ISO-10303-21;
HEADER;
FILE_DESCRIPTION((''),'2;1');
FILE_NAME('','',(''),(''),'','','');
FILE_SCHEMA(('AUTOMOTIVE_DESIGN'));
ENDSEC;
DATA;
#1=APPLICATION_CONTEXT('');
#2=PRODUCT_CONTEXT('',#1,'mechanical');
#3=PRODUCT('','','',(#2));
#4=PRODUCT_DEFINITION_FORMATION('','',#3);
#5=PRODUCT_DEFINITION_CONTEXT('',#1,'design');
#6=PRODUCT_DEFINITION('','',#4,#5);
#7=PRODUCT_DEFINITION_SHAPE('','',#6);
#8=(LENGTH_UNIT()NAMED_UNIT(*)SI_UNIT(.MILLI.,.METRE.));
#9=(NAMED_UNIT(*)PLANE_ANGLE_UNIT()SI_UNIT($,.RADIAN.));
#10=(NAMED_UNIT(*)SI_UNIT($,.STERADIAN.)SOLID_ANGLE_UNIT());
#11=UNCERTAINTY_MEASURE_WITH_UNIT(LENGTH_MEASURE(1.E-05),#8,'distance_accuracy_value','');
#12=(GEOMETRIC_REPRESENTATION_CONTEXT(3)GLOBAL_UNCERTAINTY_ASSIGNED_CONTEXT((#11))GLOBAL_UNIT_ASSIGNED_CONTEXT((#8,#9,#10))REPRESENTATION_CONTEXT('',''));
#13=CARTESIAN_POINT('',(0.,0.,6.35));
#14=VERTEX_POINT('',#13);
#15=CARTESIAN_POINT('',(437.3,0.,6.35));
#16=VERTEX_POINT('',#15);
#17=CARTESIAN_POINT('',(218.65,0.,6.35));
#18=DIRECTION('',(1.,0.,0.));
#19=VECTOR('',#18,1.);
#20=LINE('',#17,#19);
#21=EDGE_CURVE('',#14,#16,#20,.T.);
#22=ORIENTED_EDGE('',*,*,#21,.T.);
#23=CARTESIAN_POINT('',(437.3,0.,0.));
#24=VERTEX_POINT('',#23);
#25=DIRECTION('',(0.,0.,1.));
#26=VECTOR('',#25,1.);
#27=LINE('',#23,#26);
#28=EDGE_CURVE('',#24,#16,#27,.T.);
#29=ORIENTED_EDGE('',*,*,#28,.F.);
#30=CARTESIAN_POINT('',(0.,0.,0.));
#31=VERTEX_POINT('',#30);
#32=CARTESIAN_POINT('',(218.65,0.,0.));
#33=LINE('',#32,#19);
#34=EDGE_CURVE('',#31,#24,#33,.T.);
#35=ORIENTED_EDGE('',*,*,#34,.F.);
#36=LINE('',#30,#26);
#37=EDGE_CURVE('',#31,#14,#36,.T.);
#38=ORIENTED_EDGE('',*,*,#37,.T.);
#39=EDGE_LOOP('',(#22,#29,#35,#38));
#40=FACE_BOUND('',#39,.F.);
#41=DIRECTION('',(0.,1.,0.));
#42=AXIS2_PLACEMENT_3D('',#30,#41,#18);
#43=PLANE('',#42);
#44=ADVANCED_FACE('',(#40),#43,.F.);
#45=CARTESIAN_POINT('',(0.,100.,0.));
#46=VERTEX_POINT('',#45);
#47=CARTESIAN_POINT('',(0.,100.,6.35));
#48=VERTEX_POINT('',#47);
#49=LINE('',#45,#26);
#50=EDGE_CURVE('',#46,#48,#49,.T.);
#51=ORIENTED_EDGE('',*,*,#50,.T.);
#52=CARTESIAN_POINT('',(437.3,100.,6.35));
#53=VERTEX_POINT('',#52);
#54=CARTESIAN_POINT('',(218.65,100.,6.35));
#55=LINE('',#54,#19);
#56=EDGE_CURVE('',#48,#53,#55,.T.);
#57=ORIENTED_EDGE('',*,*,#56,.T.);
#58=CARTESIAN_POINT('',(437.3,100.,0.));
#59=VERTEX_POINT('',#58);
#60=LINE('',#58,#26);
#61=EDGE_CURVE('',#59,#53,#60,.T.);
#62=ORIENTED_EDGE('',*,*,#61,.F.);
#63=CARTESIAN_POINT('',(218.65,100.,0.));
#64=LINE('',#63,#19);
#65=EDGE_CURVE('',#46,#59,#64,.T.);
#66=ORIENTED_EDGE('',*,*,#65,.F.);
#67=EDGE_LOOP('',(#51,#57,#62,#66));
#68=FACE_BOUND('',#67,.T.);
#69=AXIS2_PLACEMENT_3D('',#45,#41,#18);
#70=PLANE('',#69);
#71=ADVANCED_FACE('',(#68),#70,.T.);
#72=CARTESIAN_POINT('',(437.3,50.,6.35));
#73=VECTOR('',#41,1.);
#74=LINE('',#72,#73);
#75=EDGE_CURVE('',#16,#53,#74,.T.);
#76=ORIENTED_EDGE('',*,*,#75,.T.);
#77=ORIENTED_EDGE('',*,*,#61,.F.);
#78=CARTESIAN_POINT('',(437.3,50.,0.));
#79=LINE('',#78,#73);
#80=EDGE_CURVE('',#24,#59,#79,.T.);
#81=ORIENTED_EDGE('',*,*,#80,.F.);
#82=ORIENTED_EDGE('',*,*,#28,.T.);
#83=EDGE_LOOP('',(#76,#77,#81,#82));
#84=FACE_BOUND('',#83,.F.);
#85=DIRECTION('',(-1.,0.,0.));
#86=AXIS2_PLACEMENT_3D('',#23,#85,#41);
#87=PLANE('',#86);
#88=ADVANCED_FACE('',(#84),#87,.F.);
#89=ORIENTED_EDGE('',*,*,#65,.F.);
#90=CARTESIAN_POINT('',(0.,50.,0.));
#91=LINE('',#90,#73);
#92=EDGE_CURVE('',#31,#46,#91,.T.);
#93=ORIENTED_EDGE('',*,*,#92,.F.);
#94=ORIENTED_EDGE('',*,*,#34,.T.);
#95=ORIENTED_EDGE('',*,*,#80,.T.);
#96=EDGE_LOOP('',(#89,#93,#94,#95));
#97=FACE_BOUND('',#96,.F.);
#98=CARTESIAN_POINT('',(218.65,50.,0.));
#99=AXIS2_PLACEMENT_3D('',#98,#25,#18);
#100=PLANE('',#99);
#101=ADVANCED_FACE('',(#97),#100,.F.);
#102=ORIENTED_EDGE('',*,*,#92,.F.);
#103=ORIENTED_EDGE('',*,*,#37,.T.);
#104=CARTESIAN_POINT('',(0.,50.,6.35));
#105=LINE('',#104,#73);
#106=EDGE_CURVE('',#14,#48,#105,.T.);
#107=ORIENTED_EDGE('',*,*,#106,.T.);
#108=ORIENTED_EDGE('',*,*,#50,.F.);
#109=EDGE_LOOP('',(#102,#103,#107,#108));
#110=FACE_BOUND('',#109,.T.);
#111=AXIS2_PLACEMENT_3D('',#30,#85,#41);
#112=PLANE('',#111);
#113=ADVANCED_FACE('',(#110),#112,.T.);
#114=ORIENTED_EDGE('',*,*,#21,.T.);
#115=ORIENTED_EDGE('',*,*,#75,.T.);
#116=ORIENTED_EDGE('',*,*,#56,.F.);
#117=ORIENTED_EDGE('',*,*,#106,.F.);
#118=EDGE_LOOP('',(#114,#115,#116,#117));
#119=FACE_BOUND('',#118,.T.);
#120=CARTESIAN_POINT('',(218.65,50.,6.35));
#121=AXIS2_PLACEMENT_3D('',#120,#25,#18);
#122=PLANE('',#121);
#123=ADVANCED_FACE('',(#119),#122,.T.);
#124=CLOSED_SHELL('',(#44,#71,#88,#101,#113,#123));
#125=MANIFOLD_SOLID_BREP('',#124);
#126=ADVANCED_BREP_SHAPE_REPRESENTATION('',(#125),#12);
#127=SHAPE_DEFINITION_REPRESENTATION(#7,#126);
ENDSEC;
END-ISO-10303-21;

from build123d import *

# Parameters (mm, degrees)
SKETCH_W  = 437.3
SKETCH_H  = 100
PAD_DEPTH = 6.35


with BuildPart() as part:
    # Sketch → Pad (new body)
    with BuildSketch(Plane.XY):
        with Locations((218.65, 50)):
            Rectangle(SKETCH_W, SKETCH_H)
    extrude(amount=PAD_DEPTH)


solid = part.part
